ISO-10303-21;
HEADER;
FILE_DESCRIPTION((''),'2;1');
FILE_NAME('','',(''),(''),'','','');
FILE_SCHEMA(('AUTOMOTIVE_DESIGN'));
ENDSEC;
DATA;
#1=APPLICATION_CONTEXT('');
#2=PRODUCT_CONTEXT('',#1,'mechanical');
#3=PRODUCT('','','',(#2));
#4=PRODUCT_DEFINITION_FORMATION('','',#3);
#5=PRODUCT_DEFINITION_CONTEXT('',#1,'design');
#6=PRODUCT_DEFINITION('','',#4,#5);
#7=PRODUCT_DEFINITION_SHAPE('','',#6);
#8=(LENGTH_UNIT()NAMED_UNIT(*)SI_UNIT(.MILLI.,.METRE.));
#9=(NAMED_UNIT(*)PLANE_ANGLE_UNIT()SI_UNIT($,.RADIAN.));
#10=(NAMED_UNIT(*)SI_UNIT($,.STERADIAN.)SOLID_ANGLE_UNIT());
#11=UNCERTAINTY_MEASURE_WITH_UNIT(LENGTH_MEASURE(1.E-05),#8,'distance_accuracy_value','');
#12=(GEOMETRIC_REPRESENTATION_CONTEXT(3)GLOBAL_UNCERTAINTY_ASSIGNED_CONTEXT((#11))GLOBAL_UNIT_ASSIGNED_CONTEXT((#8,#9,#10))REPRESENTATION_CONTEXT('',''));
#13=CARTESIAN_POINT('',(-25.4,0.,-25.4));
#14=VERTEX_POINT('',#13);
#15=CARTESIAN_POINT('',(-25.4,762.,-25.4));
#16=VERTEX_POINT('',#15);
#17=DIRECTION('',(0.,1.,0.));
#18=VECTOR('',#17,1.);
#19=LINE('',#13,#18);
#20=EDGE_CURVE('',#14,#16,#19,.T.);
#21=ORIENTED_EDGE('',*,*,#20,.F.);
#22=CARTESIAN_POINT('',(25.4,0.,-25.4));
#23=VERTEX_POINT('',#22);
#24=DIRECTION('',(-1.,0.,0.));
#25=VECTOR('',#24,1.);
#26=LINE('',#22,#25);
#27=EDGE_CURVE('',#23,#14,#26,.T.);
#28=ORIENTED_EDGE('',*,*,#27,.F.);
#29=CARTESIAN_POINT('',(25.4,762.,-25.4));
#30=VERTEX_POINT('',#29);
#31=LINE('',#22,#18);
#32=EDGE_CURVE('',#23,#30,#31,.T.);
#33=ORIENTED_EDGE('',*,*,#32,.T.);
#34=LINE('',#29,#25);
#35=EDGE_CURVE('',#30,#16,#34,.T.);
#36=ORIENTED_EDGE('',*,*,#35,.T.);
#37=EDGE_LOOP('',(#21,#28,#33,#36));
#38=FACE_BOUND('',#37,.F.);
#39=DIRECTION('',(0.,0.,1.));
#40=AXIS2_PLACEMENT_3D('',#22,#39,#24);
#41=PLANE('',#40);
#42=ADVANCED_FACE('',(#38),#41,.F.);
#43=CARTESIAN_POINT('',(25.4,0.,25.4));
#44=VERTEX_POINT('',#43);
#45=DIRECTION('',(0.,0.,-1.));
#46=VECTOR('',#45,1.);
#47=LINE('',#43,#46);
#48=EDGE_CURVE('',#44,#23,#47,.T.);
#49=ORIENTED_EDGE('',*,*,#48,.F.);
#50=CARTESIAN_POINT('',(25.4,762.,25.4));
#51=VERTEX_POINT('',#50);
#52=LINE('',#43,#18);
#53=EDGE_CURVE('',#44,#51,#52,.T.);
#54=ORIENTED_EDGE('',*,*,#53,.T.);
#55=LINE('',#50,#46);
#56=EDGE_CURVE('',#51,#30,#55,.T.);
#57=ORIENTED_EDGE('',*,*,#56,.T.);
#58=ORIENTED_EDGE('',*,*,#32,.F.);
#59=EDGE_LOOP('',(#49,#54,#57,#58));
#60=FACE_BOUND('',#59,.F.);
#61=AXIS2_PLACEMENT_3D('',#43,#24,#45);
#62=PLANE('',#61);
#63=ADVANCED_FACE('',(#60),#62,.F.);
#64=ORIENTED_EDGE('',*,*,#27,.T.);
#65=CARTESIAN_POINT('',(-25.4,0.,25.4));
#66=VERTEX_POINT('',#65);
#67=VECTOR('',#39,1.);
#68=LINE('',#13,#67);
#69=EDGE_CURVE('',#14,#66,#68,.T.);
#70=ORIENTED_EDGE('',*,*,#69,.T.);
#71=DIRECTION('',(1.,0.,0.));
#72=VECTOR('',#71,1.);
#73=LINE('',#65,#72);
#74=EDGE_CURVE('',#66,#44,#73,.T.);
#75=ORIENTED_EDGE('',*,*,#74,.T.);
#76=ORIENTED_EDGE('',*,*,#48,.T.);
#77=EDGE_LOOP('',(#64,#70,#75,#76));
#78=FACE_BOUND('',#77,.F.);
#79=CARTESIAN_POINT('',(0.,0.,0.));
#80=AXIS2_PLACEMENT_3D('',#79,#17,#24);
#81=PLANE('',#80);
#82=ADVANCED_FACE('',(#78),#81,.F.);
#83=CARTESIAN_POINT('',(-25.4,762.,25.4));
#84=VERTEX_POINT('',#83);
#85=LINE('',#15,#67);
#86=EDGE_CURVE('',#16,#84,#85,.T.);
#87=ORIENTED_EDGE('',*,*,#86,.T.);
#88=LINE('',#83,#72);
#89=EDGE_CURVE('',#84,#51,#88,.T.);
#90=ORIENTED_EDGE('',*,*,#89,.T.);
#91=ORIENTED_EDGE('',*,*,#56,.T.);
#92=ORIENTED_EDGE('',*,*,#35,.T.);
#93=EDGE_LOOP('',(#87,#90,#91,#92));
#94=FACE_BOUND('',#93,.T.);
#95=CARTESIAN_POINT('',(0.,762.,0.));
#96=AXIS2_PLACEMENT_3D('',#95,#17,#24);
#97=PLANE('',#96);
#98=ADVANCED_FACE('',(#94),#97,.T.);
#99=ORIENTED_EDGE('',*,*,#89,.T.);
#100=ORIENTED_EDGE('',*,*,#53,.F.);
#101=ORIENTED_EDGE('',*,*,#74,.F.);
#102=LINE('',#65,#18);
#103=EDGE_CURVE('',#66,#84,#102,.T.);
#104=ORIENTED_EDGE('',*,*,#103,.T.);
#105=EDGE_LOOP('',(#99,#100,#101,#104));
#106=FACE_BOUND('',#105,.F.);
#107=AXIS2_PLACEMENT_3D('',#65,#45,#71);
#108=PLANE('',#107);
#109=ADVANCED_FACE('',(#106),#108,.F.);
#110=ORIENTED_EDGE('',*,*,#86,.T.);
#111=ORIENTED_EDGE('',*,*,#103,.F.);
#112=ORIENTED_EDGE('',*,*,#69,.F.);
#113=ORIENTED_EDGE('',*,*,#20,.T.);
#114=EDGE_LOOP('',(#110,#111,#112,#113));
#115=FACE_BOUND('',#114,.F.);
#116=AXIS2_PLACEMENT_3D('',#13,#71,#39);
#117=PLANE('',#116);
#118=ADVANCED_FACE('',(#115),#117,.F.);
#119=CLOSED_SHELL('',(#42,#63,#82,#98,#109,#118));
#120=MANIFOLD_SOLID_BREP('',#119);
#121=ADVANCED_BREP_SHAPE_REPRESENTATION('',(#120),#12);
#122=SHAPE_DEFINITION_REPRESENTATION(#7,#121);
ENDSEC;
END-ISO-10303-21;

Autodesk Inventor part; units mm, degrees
ref_plane "YZ Plane" through (0, 0, 0) normal (1, 0, 0) x (0, 1, 0)
ref_plane "XZ Plane" through (0, 0, 0) normal (0, 1, 0) x (-1, 0, 0)
ref_plane "XY Plane" through (0, 0, 0) normal (0, 0, 1) x (1, 0, 0)
sketch "Sketch1" plane through (0, 0, 0) normal (0, 1, 0) x (-1, 0, 0)
  line L0 (25.4, 25.4) -> (-25.4, 25.4)
  line L1 (-25.4, 25.4) -> (-25.4, -25.4)
  line L2 (-25.4, -25.4) -> (25.4, -25.4)
  line L3 (25.4, -25.4) -> (25.4, 25.4)
  line L4 (25.4, 25.4) -> (-25.4, -25.4) construction
  line L5 (-25.4, 25.4) -> (25.4, -25.4) construction
  point P0 (0, 0)
  dimension "d0" = 50.8
  dimension "d1" = 50.8
extrude "Extrusion1" add sketch "Sketch1" along normal blind 762
properties part number "Table Leg"
